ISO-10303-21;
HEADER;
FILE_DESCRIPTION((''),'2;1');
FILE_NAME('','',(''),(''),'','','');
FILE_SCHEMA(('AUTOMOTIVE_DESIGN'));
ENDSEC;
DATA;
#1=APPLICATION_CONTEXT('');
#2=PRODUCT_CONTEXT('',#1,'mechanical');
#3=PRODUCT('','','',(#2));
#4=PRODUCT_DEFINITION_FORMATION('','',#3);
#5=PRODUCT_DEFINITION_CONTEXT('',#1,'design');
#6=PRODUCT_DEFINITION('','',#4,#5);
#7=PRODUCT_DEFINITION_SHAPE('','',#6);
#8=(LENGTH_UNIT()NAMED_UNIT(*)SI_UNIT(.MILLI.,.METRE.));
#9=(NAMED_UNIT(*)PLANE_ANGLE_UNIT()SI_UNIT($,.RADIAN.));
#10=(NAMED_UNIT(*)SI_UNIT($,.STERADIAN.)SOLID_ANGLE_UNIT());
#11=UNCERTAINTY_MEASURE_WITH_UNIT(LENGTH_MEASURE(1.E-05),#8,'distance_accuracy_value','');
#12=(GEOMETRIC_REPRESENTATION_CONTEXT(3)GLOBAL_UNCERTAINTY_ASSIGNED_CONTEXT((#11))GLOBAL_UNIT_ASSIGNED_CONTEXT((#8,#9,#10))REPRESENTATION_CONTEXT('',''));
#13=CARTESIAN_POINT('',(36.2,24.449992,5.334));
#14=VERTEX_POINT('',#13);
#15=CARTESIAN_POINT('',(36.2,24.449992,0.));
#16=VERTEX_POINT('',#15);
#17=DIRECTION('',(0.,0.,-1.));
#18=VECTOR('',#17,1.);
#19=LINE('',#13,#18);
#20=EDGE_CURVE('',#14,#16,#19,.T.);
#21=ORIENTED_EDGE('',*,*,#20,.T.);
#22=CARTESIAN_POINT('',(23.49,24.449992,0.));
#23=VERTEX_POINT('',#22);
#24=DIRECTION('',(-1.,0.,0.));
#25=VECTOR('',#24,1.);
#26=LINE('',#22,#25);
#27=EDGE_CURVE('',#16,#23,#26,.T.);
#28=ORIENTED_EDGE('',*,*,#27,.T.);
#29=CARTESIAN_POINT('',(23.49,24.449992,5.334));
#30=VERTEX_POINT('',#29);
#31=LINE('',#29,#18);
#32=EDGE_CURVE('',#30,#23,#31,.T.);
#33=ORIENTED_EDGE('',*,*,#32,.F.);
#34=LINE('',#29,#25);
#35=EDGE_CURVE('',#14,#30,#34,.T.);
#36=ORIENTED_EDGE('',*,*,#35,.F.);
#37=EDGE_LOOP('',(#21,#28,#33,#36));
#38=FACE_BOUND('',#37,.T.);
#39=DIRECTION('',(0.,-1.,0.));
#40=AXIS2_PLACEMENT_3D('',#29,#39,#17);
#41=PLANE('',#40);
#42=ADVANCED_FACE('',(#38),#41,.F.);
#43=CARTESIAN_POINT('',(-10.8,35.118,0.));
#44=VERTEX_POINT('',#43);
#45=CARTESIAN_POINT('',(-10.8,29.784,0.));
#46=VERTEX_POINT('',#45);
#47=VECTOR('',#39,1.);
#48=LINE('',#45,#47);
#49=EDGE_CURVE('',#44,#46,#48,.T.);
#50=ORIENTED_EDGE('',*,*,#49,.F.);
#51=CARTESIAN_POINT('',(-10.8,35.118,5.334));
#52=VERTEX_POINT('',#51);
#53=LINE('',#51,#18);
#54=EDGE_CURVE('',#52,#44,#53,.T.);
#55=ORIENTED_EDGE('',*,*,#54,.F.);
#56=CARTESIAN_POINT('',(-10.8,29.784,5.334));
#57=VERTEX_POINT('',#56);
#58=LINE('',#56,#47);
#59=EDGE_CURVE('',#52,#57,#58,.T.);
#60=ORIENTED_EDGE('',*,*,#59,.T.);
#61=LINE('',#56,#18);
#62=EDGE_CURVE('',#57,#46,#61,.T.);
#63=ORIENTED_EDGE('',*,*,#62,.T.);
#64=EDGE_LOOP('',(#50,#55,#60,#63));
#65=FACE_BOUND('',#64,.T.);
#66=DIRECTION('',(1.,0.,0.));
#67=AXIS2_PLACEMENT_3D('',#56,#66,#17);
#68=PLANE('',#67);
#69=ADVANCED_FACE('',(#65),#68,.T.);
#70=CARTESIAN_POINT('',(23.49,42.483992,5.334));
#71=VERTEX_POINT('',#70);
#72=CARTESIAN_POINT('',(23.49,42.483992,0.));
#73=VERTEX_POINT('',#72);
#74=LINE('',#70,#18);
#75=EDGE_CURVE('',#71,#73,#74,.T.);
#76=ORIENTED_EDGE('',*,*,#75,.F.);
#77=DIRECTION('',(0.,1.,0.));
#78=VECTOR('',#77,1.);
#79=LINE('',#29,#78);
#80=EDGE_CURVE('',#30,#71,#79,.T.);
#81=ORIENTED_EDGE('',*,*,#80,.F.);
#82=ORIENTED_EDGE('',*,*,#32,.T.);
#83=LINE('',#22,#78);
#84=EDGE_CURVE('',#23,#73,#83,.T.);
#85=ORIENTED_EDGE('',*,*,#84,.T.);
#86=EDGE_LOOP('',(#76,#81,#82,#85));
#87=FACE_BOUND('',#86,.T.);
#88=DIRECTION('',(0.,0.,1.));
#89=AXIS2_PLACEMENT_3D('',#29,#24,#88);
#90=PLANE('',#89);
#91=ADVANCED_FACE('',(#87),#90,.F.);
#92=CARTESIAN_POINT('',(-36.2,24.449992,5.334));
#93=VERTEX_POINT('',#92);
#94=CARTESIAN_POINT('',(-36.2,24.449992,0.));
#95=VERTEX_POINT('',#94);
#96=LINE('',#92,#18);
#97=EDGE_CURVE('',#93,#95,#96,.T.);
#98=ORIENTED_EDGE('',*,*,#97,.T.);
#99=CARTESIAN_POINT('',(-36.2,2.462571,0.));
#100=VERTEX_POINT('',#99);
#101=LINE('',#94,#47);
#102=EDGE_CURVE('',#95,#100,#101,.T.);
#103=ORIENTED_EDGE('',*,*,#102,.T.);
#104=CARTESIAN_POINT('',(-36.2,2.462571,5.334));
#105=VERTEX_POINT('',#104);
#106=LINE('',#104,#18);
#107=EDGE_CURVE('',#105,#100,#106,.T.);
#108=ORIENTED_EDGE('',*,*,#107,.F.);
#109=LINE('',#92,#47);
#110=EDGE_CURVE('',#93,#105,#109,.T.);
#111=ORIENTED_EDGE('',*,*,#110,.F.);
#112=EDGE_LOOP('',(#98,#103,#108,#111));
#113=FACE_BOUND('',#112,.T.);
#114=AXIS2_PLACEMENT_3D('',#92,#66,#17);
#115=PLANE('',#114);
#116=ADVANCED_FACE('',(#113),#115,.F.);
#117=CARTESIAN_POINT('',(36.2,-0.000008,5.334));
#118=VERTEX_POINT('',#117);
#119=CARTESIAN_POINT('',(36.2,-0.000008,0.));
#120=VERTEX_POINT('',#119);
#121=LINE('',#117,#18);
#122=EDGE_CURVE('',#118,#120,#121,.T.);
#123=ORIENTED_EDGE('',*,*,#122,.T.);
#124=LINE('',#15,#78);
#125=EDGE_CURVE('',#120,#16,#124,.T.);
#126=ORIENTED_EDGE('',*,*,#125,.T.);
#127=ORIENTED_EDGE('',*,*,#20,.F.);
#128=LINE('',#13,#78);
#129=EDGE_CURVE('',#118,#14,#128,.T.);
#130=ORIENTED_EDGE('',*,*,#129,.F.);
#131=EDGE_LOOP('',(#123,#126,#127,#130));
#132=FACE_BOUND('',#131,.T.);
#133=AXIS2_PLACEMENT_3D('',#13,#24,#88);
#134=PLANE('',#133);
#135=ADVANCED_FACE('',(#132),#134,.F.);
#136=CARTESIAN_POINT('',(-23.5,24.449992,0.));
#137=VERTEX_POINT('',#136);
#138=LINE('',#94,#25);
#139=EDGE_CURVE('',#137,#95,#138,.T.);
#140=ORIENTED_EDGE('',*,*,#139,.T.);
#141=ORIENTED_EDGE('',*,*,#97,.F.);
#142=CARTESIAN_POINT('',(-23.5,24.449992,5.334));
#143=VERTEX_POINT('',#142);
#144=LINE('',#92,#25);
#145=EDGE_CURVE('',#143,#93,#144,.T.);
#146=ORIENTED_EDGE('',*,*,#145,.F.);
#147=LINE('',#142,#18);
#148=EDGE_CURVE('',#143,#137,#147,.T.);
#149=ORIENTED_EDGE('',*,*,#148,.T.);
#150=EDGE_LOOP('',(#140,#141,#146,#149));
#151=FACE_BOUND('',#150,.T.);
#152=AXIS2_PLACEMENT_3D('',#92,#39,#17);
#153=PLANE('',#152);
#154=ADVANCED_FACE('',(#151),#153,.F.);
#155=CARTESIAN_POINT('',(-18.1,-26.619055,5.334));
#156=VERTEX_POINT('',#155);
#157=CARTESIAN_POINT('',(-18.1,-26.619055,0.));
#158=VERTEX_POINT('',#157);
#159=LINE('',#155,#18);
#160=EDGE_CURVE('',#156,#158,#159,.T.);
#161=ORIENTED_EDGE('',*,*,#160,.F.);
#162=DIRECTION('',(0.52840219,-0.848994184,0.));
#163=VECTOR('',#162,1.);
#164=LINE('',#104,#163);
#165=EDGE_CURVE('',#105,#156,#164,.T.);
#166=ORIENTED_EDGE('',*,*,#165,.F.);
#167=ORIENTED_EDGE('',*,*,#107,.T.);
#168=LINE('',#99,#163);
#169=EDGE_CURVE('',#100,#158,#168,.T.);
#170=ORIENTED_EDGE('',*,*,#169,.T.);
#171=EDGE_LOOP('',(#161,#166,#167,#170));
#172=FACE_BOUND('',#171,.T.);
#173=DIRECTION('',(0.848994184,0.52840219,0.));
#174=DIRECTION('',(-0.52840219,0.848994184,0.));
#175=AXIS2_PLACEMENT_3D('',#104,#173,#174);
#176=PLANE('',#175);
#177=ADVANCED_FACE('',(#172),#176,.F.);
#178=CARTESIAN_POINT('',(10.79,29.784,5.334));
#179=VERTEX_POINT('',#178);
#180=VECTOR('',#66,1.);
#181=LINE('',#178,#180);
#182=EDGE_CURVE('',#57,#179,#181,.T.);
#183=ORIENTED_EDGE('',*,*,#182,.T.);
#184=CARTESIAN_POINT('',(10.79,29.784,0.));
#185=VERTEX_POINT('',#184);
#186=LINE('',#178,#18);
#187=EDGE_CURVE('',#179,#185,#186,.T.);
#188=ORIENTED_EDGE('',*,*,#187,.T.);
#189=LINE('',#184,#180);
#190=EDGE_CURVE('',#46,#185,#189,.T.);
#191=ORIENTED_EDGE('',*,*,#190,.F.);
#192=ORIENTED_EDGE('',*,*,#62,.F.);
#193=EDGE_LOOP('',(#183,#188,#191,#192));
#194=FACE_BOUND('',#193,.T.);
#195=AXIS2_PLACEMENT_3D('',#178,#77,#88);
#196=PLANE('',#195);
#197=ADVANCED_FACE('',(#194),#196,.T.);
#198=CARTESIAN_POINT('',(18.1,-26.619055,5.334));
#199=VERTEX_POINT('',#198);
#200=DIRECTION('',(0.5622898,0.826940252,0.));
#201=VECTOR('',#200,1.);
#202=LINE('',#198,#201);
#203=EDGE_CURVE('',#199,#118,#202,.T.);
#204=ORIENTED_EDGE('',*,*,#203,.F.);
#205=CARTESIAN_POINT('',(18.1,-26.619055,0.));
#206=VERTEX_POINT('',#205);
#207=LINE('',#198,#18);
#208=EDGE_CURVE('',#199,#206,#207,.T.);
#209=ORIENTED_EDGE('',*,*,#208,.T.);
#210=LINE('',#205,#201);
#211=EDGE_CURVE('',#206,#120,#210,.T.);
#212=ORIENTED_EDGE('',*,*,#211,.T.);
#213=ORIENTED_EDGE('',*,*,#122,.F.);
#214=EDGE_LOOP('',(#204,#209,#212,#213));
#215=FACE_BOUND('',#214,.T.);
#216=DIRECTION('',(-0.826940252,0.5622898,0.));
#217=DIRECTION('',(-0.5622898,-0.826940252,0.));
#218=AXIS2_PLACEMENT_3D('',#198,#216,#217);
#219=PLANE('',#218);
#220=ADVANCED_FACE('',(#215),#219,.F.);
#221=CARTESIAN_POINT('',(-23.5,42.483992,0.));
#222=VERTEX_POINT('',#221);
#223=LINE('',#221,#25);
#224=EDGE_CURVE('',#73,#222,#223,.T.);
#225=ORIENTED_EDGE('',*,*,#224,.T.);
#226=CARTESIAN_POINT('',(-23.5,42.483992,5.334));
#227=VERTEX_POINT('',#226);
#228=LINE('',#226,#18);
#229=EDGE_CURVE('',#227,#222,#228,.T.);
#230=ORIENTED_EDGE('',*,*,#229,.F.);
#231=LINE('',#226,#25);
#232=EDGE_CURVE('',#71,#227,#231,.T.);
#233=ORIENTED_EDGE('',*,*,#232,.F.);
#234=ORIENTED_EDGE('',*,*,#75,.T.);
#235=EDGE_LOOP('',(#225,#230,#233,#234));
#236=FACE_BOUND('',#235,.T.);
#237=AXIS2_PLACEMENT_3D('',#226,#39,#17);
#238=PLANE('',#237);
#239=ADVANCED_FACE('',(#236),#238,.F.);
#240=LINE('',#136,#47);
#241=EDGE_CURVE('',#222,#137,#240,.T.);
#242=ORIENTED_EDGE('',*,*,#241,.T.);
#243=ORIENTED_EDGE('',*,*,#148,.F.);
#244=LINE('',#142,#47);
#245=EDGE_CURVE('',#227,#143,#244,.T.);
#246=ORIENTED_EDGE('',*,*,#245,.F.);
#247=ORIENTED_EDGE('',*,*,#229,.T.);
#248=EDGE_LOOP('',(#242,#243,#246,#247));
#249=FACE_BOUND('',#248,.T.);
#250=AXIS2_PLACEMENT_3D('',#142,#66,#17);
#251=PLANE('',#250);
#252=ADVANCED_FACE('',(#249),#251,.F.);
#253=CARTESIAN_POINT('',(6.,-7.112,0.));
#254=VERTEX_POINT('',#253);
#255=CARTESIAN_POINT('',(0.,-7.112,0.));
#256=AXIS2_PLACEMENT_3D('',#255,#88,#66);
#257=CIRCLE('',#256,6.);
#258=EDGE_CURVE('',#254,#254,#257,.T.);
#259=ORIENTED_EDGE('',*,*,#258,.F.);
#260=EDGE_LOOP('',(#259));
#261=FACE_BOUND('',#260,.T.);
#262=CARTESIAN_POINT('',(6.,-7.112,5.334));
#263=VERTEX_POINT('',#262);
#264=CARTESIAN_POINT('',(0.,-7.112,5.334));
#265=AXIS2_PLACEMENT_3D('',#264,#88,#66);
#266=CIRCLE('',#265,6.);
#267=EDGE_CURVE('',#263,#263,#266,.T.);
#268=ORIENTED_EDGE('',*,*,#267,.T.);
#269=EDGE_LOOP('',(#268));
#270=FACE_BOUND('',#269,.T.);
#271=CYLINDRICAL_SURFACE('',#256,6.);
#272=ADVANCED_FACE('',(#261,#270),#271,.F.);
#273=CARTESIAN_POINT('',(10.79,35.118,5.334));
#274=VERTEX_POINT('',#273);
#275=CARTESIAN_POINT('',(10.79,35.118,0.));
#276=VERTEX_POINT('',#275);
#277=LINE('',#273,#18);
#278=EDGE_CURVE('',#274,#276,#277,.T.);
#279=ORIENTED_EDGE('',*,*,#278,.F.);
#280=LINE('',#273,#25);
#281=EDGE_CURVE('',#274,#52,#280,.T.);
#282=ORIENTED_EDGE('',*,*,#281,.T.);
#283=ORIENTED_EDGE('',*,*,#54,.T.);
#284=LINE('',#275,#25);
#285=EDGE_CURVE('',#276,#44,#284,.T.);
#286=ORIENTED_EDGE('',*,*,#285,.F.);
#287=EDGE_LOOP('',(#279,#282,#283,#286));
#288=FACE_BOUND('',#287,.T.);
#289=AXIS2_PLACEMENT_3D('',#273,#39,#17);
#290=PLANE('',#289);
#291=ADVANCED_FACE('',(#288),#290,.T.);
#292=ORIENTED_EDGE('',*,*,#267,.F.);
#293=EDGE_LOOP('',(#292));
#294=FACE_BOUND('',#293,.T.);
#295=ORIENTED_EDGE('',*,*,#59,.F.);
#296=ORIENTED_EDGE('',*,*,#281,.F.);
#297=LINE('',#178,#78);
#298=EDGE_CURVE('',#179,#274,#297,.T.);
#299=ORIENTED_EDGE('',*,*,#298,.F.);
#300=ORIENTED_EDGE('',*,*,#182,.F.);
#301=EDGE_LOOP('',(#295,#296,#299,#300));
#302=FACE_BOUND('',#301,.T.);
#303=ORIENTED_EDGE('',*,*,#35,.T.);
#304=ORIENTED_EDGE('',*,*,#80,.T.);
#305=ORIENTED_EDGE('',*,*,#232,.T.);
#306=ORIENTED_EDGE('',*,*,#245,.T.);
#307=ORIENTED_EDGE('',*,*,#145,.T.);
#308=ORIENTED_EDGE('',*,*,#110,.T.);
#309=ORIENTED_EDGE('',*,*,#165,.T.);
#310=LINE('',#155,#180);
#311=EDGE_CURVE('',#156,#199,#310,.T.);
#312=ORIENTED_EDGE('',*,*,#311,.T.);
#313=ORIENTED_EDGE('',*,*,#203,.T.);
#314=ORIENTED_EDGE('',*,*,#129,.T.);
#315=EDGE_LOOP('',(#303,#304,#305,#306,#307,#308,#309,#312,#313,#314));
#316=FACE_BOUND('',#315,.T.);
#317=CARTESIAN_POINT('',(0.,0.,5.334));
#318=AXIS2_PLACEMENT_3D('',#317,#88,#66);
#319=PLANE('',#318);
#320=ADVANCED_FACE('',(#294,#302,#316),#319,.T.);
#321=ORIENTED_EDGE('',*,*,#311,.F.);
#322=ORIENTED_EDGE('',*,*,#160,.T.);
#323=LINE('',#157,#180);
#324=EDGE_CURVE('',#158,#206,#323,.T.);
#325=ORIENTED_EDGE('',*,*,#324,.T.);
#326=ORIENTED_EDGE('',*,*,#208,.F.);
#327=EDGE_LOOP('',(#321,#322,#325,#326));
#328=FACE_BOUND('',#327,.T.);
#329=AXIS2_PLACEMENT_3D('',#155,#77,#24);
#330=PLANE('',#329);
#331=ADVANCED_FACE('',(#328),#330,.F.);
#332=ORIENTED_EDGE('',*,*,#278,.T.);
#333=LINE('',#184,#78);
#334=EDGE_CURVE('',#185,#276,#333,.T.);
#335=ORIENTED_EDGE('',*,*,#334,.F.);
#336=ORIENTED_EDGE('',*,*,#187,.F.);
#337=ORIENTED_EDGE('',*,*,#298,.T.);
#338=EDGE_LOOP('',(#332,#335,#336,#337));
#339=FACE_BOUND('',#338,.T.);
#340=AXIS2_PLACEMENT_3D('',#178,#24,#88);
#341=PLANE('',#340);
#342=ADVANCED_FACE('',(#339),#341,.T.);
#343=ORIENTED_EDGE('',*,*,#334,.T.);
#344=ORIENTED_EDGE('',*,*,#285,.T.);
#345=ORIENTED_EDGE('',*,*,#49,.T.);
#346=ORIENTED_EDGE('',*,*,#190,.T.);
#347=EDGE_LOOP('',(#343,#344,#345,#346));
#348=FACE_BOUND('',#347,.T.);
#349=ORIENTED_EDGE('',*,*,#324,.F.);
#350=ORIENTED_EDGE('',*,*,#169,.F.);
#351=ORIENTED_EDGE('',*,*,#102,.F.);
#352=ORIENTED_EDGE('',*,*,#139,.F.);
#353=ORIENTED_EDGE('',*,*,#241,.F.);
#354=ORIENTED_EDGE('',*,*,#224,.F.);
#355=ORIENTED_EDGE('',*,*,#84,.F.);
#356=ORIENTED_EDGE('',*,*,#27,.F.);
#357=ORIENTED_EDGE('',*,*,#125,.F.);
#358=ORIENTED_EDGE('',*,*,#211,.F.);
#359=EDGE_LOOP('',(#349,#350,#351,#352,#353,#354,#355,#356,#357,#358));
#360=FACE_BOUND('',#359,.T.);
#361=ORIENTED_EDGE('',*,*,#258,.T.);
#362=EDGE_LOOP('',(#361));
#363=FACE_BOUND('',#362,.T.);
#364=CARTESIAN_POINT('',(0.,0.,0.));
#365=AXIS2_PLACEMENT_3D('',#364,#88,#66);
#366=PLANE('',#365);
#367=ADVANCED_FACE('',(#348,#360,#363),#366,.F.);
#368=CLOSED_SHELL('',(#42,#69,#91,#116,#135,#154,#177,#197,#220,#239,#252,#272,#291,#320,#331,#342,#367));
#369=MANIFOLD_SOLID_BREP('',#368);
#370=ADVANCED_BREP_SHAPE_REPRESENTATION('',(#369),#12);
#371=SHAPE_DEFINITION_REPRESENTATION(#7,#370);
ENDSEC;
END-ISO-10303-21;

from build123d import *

# Parameters (mm, degrees)
SKETCH1_W           = 21.59
SKETCH1_H           = 5.334
BOSS_EXTRUDE1_DEPTH = 5.334
SKETCH2_R           = 6
CUT_EXTRUDE1_DEPTH  = 5.334


with BuildPart() as part:
    # Sketch1 → Boss-Extrude1 (new body)
    with BuildSketch(Plane.XY):
        Polygon((-36.2, 24.449992223), (-23.5, 24.449992223), (-23.5, 42.483992223), (23.49, 42.483992223), (23.49, 24.449992223), (36.2, 24.449992223), (36.2, -7.777e-06), (18.1, -26.619054692), (-18.1, -26.619054692), (-36.2, 2.462571049), align=None)
        with Locations((-0.005, 32.451)):
            Rectangle(SKETCH1_W, SKETCH1_H, mode=Mode.SUBTRACT)
    extrude(amount=BOSS_EXTRUDE1_DEPTH)

    # Sketch2 → Cut-Extrude1 (cut)
    with BuildSketch(Plane.XY.offset(5.334)):
        with Locations((0, -7.112000122)):
            Circle(SKETCH2_R)
    extrude(amount=-CUT_EXTRUDE1_DEPTH, mode=Mode.SUBTRACT)


solid = part.part
